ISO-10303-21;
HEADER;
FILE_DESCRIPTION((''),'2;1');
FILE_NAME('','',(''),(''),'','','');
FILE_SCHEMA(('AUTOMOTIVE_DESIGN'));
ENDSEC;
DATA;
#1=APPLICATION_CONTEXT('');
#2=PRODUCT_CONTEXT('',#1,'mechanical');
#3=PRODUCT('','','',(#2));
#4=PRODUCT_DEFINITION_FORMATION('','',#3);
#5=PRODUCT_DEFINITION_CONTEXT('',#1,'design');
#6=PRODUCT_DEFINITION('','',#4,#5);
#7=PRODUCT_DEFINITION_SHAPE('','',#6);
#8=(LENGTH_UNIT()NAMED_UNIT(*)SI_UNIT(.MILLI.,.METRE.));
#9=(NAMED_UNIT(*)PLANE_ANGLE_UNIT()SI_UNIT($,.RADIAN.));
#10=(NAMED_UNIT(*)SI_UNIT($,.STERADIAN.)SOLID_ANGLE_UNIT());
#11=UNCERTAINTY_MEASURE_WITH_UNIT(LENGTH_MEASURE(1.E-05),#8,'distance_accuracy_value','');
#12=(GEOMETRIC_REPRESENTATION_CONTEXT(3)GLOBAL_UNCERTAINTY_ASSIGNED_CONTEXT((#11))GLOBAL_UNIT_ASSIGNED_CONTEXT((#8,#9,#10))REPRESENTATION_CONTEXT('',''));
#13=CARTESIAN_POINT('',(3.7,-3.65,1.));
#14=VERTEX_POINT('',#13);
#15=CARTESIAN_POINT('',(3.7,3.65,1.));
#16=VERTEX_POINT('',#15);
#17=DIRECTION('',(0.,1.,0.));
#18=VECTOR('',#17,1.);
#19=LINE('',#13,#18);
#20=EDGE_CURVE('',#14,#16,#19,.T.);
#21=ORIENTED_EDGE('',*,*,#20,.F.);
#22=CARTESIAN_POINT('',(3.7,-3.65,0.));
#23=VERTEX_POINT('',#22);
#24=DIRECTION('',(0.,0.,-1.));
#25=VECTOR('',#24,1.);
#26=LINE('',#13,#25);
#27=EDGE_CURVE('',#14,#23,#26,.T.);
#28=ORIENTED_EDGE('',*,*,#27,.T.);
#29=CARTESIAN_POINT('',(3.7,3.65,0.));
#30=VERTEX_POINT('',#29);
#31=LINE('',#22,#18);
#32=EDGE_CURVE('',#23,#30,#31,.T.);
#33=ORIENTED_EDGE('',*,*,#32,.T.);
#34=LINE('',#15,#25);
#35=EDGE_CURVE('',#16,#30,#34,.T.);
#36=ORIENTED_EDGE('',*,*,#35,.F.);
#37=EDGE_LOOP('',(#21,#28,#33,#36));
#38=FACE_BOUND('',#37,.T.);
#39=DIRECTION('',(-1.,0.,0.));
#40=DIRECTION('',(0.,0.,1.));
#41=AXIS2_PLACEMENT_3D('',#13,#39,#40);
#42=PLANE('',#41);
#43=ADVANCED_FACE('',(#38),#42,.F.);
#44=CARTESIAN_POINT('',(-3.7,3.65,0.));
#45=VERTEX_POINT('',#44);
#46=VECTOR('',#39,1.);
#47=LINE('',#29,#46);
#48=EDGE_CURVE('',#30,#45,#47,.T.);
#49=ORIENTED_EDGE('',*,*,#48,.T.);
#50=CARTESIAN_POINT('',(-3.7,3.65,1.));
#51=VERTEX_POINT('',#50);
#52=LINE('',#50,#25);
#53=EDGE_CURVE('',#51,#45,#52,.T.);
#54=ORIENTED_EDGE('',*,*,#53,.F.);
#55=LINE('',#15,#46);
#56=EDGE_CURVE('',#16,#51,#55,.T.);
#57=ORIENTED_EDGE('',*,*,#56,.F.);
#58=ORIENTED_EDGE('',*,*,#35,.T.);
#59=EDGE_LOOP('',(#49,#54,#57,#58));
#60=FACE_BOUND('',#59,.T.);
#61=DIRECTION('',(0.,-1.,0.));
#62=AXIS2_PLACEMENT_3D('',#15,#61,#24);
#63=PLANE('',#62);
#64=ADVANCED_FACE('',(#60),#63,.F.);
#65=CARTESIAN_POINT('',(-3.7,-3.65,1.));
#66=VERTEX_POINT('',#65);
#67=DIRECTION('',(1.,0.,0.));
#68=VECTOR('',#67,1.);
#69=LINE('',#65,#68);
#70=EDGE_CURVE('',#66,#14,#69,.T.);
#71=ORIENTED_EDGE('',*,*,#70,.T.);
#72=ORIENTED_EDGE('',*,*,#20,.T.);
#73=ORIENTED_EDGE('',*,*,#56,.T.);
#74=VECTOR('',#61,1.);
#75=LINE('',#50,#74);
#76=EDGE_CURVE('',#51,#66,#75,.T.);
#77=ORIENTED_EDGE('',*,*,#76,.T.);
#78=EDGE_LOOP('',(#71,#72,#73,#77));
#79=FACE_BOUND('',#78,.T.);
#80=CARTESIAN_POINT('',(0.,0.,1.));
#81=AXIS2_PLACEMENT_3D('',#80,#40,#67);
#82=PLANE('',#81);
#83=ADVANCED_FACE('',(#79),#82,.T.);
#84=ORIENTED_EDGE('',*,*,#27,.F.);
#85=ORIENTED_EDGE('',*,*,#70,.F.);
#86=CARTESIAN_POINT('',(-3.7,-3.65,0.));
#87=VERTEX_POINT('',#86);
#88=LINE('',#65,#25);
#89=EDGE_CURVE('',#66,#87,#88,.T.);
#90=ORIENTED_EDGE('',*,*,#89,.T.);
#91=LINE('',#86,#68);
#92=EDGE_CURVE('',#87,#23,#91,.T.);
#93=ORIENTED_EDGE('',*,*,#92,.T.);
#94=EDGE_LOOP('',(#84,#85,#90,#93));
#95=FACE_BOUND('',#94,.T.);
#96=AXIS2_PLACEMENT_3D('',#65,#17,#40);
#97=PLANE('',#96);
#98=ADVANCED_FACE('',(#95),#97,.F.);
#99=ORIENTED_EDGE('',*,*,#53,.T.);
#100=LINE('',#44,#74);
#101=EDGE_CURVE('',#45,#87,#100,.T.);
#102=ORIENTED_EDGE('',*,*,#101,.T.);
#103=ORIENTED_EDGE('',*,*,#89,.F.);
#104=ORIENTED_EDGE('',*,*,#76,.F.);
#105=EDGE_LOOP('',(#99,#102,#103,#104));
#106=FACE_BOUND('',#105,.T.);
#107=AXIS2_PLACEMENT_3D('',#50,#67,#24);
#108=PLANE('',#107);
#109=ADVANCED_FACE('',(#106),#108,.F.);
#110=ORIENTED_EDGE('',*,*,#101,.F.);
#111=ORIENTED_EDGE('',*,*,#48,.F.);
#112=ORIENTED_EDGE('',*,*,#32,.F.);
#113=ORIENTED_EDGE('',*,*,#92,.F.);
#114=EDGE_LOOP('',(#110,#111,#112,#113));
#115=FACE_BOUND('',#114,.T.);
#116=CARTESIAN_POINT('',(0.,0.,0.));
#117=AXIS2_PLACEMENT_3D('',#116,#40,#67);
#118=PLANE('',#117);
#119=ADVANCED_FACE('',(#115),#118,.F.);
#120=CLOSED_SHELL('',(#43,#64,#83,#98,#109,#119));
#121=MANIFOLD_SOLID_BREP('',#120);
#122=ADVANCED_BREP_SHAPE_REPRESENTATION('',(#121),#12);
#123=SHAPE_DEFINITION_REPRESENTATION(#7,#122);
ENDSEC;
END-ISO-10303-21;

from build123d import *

# Parameters (mm, degrees)
SKETCH_1_W              = 7.4
SKETCH_1_H              = 7.3
COMPONENT_OUTLINE_DEPTH = 1


with BuildPart() as part:
    # 草图1 → Component_Outline (new body)
    with BuildSketch(Plane.XY):
        Rectangle(SKETCH_1_W, SKETCH_1_H)
    extrude(amount=COMPONENT_OUTLINE_DEPTH)


solid = part.part
